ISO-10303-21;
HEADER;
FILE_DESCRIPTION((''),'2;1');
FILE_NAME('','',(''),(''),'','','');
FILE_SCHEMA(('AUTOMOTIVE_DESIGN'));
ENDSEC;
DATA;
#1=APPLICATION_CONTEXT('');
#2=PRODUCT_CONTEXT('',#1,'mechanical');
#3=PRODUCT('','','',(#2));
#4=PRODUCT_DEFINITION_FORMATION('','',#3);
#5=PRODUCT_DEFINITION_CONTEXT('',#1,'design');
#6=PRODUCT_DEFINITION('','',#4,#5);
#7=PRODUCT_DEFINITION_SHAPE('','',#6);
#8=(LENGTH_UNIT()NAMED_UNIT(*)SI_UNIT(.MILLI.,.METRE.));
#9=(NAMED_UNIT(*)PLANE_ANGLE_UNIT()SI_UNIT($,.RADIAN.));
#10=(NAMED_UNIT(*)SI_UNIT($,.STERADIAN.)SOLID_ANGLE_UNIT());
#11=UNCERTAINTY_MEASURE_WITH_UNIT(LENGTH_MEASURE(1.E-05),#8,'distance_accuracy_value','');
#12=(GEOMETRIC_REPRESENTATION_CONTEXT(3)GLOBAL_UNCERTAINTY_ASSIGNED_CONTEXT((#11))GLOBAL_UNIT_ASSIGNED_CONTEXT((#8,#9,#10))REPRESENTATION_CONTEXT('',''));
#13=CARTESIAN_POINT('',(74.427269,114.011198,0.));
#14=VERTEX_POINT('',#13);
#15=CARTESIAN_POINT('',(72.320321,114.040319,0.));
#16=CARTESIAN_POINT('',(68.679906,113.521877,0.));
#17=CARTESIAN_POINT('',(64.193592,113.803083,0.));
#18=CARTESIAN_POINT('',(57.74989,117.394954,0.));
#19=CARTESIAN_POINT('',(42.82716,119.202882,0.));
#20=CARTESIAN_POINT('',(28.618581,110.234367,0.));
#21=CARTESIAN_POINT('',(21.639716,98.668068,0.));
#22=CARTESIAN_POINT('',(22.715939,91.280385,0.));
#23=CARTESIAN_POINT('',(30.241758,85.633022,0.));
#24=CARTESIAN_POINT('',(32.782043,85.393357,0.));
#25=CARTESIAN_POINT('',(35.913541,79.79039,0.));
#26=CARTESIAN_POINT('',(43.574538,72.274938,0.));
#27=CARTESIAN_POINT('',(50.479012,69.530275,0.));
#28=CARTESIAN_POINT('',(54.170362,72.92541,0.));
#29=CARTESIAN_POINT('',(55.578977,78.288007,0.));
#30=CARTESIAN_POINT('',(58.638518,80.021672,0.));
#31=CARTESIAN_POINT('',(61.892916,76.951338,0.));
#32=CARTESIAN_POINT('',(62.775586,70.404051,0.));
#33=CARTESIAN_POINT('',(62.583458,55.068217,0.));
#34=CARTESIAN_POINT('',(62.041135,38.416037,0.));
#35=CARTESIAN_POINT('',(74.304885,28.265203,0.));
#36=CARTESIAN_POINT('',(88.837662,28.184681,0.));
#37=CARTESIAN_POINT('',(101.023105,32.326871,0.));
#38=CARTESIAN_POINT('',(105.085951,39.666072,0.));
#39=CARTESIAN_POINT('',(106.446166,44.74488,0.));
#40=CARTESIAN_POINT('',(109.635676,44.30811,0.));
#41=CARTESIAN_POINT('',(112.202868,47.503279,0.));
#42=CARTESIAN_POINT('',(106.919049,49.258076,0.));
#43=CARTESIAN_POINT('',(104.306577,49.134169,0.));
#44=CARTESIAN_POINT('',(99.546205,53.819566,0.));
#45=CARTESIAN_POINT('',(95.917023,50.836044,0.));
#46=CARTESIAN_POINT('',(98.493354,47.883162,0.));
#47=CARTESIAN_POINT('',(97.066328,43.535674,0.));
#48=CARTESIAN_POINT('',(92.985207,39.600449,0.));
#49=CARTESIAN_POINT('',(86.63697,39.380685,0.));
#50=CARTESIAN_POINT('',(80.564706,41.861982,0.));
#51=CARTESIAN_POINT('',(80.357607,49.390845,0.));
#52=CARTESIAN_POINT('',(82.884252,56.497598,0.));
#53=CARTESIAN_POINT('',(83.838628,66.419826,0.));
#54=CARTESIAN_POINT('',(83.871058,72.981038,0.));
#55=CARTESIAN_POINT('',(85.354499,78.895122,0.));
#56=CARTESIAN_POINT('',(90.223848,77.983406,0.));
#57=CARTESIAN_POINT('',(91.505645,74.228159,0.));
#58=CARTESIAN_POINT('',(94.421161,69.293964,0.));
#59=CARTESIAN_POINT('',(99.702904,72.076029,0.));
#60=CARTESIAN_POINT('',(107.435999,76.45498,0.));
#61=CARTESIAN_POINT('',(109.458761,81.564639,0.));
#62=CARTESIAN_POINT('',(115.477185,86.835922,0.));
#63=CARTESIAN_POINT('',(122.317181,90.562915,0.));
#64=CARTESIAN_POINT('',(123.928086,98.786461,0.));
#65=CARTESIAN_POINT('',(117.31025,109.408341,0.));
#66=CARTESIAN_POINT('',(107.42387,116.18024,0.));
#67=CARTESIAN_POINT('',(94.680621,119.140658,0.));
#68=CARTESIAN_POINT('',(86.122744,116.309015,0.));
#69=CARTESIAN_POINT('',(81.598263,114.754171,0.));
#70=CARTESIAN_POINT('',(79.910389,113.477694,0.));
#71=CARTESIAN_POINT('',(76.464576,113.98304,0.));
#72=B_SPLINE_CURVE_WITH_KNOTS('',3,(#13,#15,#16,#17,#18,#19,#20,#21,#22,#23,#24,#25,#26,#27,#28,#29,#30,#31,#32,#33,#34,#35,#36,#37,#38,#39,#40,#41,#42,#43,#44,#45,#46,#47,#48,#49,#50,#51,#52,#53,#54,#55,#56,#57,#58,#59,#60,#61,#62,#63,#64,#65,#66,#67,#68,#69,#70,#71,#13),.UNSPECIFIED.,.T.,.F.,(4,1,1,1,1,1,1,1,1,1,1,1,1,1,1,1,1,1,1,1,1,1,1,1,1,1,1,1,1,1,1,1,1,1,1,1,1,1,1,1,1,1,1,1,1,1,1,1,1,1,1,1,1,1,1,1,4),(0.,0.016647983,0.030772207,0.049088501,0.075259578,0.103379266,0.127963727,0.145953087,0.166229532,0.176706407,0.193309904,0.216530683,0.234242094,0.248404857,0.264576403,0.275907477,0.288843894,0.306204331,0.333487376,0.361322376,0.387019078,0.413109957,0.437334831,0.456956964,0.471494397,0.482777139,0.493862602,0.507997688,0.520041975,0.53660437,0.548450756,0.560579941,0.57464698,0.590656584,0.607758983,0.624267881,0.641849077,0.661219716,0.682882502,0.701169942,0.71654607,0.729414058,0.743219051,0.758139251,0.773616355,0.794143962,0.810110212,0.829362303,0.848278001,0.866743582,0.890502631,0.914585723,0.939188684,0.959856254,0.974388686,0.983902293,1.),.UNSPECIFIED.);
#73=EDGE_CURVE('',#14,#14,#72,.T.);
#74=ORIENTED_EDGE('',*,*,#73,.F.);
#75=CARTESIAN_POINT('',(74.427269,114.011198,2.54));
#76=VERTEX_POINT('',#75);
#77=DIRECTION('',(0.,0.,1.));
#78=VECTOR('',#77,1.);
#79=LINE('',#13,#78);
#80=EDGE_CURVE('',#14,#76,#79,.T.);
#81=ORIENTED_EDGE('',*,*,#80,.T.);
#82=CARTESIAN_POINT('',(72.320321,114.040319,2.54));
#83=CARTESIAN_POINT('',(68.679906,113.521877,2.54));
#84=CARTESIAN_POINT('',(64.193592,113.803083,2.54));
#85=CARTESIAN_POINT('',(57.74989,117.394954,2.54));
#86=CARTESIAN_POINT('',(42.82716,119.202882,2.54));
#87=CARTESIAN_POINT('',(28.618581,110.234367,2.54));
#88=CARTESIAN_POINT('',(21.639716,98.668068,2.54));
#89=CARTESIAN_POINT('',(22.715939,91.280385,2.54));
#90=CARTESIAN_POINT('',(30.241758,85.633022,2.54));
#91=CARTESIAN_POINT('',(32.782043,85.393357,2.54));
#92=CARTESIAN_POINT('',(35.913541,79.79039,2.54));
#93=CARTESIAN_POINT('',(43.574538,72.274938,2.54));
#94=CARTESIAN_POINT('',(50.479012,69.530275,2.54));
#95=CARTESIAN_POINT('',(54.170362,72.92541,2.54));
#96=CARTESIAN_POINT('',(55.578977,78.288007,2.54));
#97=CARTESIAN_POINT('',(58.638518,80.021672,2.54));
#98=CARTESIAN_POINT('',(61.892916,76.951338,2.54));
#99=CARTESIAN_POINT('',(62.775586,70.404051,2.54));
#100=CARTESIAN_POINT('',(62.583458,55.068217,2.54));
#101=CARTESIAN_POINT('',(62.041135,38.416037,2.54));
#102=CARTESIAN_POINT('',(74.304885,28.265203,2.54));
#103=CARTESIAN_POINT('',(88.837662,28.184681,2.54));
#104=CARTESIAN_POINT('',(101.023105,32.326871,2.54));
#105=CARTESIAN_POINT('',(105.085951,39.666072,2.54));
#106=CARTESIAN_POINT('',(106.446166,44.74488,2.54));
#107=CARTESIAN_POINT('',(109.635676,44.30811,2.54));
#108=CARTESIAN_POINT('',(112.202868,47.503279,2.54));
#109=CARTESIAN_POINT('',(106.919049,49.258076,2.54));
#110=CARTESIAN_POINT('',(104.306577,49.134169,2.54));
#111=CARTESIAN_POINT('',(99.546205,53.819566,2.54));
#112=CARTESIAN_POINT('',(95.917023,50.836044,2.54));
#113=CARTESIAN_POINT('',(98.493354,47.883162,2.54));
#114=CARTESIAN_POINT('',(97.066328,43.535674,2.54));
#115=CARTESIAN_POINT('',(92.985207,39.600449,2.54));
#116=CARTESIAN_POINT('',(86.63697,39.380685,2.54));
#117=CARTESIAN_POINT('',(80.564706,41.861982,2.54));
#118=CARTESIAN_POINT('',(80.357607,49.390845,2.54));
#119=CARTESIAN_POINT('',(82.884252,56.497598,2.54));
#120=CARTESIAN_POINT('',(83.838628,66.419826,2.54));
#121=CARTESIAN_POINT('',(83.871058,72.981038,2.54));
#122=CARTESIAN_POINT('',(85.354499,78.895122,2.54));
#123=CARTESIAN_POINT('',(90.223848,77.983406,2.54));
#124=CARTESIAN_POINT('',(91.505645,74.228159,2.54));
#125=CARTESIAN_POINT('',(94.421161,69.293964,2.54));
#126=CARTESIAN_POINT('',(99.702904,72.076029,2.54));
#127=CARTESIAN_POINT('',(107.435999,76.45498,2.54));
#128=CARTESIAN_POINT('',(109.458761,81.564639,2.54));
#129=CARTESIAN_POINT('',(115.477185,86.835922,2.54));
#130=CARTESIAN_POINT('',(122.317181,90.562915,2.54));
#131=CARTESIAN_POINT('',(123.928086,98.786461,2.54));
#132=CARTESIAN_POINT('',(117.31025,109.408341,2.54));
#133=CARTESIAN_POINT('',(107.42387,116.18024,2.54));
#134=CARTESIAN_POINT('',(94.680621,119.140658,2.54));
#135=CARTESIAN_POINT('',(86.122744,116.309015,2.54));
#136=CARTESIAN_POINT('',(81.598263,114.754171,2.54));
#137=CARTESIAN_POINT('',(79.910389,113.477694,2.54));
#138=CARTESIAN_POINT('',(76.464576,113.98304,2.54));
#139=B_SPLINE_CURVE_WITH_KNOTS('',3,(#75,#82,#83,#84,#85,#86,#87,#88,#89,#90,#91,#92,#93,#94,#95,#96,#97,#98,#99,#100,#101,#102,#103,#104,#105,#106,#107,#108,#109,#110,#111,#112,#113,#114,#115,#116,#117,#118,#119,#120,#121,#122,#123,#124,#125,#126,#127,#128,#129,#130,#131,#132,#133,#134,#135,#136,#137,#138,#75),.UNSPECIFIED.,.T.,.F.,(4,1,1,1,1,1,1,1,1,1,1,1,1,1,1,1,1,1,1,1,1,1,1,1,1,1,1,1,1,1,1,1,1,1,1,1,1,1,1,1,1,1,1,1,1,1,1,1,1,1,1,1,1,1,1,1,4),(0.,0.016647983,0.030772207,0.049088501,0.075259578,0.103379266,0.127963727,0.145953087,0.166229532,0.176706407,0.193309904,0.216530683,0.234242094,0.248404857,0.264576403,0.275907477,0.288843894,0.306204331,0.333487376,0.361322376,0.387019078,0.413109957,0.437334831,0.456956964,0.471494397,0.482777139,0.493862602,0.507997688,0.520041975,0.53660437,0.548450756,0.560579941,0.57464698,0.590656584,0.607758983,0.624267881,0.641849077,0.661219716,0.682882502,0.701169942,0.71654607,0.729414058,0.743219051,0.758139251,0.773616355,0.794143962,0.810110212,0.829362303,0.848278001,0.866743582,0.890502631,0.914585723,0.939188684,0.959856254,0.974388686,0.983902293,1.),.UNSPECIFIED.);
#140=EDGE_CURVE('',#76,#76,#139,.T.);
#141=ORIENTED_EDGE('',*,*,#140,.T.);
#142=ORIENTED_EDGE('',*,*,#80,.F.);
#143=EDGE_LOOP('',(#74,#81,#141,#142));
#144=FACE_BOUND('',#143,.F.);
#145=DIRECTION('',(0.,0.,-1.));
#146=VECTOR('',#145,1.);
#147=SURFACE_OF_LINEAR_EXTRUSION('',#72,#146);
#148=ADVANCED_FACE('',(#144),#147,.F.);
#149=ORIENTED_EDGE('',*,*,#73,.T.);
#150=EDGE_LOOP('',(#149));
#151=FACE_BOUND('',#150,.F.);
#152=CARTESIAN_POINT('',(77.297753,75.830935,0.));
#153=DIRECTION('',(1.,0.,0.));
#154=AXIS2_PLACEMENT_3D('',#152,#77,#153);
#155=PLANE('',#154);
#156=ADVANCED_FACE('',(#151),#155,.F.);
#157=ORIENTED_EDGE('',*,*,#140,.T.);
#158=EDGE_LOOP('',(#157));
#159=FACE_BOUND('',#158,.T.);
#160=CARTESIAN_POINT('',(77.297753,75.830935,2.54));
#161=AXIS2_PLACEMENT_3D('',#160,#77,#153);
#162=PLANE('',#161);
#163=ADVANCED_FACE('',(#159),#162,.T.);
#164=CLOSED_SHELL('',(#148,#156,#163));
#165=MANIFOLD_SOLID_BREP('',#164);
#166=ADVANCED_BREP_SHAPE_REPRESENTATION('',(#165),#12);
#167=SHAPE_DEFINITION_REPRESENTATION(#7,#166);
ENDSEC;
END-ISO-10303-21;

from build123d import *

# Parameters (mm, degrees)
F1_DEPTH = 2.54


with BuildPart() as f1:
    # F0 (on Top) → F1 (new body)
    with BuildSketch(Plane.XY):
        with BuildLine():
            add(Edge.make_bspline(
                [(74.4272693992, 114.0111982822), (72.3203207577, 114.0403186165), (68.6799057551, 113.5218771887), (64.1935916619, 113.8030829727), (57.7498903454, 117.3949543678), (42.8271597349, 119.2028815099), (28.6185808383, 110.234366989), (21.6397156615, 98.6680683358), (22.7159389267, 91.2803853862), (30.2417575066, 85.633021692), (32.782043349, 85.3933568431), (35.9135409008, 79.7903903925), (43.5745383834, 72.2749378633), (50.479012402, 69.5302747205), (54.170361817, 72.9254103519), (55.5789769613, 78.2880072014), (58.6385177963, 80.0216719492), (61.8929161771, 76.9513376597), (62.7755855475, 70.4040514103), (62.5834579688, 55.0682173016), (62.0411350248, 38.4160366612), (74.3048847155, 28.2652034108), (88.8376618157, 28.1846808754), (101.0231054623, 32.3268706947), (105.0859510525, 39.6660724139), (106.4461664102, 44.7448801524), (109.6356761317, 44.3081097119), (112.2028678498, 47.5032791686), (106.9190485685, 49.2580757316), (104.3065769308, 49.1341686468), (99.5462046177, 53.8195661143), (95.9170229644, 50.8360443965), (98.493353936, 47.8831617291), (97.0663282945, 43.5356743687), (92.9852067878, 39.6004486095), (86.636969773, 39.3806853473), (80.5647060452, 41.86198197), (80.3576067433, 49.3908454396), (82.8842516632, 56.497598037), (83.8386277163, 66.419826338), (83.871057514, 72.9810380159), (85.354498593, 78.8951217485), (90.2238478815, 77.9834059048), (91.5056449161, 74.2281590615), (94.4211614922, 69.2939638835), (99.7029037942, 72.0760288182), (107.4359992456, 76.4549799248), (109.458761272, 81.5646387833), (115.4771850409, 86.835922075), (122.3171814452, 90.562915446), (123.9280858244, 98.7864606097), (117.3102501921, 109.408340507), (107.4238703966, 116.1802396081), (94.6806209673, 119.1406577539), (86.1227444744, 116.3090148092), (81.5982625852, 114.7541705805), (79.9103892326, 113.4776938071), (76.4645757582, 113.9830404804), (74.4272693992, 114.0111982822)],
                knots=[0, 0, 0, 0, 0.016647983, 0.0307722069, 0.0490885006, 0.0752595776, 0.1033792664, 0.1279637268, 0.145953087, 0.1662295318, 0.1767064074, 0.1933099045, 0.2165306828, 0.2342420945, 0.2484048568, 0.2645764029, 0.2759074768, 0.2888438945, 0.3062043305, 0.3334873759, 0.3613223762, 0.3870190778, 0.4131099568, 0.437334831, 0.4569569641, 0.4714943972, 0.4827771387, 0.4938626022, 0.5079976876, 0.5200419746, 0.5366043702, 0.5484507561, 0.5605799407, 0.5746469798, 0.5906565844, 0.6077589834, 0.6242678808, 0.6418490766, 0.6612197162, 0.6828825024, 0.7011699422, 0.7165460702, 0.7294140579, 0.7432190513, 0.7581392507, 0.7736163551, 0.7941439617, 0.8101102123, 0.8293623034, 0.8482780007, 0.8667435819, 0.8905026309, 0.9145857227, 0.9391886844, 0.9598562539, 0.9743886857, 0.9839022931, 1, 1, 1, 1], degree=3))
        make_face()
    extrude(amount=F1_DEPTH)


solid = f1.part
